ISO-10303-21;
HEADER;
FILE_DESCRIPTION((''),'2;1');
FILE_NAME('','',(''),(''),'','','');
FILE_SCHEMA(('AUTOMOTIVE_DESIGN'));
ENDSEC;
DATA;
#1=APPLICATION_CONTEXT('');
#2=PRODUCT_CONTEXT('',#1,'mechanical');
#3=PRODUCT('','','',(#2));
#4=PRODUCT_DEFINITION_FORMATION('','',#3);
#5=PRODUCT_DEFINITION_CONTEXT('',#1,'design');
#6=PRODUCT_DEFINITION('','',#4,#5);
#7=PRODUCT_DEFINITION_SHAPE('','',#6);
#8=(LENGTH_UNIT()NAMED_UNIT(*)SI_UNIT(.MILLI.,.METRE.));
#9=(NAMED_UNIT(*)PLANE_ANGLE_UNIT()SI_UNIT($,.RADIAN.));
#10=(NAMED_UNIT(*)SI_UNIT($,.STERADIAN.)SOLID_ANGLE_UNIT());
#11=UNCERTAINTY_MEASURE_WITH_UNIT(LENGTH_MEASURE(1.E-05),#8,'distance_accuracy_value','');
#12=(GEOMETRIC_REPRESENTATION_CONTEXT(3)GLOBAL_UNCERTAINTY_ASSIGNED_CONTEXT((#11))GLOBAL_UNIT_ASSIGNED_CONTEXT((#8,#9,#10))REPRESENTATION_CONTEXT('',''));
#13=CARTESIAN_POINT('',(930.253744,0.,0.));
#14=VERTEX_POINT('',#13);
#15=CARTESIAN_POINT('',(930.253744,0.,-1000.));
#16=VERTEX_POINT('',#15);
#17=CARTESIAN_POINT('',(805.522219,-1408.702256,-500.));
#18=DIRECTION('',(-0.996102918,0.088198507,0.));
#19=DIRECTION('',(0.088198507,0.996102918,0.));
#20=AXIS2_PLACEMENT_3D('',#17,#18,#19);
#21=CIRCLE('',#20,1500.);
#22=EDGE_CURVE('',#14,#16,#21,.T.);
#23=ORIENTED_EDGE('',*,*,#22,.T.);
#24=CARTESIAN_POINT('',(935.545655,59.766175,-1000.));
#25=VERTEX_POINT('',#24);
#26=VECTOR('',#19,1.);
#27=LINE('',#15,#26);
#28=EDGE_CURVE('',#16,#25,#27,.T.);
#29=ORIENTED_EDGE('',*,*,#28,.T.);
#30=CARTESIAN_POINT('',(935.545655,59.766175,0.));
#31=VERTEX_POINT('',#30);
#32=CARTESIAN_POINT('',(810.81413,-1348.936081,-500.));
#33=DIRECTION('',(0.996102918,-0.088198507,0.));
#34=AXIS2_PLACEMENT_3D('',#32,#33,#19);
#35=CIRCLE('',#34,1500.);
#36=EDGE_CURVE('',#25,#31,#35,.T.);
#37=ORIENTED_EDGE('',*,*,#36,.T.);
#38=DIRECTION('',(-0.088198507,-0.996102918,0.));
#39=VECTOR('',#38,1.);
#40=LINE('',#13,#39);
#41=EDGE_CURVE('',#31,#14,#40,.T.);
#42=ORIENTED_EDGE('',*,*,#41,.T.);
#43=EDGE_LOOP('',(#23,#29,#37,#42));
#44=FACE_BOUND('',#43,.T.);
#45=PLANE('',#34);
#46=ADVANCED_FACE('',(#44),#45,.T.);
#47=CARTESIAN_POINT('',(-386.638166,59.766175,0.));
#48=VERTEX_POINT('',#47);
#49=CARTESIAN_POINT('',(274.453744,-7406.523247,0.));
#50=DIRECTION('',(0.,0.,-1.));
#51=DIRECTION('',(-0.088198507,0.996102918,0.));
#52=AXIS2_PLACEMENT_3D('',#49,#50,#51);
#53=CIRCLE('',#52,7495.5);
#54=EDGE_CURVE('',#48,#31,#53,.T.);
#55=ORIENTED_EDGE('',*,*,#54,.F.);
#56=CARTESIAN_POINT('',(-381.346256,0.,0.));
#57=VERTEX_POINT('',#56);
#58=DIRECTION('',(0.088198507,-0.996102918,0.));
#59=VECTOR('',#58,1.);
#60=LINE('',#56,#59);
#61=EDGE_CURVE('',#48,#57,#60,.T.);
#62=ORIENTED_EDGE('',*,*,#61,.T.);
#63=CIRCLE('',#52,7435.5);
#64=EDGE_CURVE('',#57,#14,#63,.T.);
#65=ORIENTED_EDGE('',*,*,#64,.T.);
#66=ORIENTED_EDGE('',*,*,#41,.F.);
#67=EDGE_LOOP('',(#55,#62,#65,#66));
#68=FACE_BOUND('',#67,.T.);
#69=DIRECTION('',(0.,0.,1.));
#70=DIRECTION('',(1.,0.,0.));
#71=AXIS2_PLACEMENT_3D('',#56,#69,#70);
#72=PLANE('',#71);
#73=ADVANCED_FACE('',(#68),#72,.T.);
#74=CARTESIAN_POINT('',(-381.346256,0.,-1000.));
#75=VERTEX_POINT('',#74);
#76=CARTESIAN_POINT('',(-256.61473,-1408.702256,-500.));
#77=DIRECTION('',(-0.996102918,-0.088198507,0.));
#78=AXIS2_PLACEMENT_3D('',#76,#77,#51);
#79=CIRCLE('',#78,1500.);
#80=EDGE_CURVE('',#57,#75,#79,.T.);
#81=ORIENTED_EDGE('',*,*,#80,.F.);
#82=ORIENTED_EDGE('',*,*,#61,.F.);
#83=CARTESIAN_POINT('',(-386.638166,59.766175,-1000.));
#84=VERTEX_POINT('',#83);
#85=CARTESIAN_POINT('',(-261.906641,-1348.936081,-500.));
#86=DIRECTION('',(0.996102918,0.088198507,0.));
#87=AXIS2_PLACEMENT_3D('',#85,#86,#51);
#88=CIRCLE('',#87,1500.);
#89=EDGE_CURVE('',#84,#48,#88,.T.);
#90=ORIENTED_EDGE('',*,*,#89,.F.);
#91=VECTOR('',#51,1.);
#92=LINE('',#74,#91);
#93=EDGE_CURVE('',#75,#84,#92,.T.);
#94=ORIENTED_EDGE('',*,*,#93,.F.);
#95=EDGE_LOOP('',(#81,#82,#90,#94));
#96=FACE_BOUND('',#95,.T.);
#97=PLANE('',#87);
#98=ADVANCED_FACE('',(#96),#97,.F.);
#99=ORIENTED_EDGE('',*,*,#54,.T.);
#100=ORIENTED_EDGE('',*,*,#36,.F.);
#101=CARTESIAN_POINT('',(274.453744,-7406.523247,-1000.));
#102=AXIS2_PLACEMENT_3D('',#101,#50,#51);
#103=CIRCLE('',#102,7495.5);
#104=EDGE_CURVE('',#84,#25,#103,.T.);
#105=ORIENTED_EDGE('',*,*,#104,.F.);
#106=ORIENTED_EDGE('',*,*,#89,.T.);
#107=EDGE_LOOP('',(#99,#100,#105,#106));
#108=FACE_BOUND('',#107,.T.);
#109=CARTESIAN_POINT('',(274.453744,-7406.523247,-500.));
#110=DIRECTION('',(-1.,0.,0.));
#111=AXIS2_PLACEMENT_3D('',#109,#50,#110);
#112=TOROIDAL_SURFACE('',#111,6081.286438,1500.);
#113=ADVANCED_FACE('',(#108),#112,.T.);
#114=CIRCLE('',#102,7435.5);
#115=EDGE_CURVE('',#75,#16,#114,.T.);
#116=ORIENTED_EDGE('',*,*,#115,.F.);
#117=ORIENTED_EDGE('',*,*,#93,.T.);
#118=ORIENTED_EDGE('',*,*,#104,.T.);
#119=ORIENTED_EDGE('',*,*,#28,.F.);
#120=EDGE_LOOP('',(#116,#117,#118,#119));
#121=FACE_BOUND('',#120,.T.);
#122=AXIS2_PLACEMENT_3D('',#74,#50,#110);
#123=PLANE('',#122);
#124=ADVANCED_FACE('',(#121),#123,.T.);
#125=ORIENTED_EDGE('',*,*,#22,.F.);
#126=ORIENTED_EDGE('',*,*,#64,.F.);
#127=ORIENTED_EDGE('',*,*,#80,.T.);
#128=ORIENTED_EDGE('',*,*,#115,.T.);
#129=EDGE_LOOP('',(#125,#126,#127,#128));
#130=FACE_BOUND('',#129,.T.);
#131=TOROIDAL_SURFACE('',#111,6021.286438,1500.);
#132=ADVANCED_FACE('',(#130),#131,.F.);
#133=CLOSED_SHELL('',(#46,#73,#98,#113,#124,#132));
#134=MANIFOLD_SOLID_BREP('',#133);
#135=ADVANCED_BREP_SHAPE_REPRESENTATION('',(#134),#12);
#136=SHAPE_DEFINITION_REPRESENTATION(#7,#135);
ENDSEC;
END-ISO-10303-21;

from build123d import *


with BuildPart() as part:
    # Sweep1: sweep along a path in Sketch1
    with BuildLine(Plane.XY) as sweep1_path:
        ThreePointArc((-381.346255507, 0), (274.453744493, 28.976752889), (930.253744493, 0))
    # Sketch2 → Sweep1 (sweep)
    with BuildSketch(Plane(origin=(-381.346255507, 0, 0), x_dir=(0, 0, -1), z_dir=(0.996102918, 0.088198507, 0))):
        with BuildLine():
            Line((1000, 0), (1000, 60))
            ThreePointArc((1000, 60), (500, 145.786437627), (0, 60))
            Line((0, 60), (0, 0))
            ThreePointArc((0, 0), (500, 85.786437627), (1000, 0))
        make_face()
    sweep(path=sweep1_path.line)


solid = part.part
